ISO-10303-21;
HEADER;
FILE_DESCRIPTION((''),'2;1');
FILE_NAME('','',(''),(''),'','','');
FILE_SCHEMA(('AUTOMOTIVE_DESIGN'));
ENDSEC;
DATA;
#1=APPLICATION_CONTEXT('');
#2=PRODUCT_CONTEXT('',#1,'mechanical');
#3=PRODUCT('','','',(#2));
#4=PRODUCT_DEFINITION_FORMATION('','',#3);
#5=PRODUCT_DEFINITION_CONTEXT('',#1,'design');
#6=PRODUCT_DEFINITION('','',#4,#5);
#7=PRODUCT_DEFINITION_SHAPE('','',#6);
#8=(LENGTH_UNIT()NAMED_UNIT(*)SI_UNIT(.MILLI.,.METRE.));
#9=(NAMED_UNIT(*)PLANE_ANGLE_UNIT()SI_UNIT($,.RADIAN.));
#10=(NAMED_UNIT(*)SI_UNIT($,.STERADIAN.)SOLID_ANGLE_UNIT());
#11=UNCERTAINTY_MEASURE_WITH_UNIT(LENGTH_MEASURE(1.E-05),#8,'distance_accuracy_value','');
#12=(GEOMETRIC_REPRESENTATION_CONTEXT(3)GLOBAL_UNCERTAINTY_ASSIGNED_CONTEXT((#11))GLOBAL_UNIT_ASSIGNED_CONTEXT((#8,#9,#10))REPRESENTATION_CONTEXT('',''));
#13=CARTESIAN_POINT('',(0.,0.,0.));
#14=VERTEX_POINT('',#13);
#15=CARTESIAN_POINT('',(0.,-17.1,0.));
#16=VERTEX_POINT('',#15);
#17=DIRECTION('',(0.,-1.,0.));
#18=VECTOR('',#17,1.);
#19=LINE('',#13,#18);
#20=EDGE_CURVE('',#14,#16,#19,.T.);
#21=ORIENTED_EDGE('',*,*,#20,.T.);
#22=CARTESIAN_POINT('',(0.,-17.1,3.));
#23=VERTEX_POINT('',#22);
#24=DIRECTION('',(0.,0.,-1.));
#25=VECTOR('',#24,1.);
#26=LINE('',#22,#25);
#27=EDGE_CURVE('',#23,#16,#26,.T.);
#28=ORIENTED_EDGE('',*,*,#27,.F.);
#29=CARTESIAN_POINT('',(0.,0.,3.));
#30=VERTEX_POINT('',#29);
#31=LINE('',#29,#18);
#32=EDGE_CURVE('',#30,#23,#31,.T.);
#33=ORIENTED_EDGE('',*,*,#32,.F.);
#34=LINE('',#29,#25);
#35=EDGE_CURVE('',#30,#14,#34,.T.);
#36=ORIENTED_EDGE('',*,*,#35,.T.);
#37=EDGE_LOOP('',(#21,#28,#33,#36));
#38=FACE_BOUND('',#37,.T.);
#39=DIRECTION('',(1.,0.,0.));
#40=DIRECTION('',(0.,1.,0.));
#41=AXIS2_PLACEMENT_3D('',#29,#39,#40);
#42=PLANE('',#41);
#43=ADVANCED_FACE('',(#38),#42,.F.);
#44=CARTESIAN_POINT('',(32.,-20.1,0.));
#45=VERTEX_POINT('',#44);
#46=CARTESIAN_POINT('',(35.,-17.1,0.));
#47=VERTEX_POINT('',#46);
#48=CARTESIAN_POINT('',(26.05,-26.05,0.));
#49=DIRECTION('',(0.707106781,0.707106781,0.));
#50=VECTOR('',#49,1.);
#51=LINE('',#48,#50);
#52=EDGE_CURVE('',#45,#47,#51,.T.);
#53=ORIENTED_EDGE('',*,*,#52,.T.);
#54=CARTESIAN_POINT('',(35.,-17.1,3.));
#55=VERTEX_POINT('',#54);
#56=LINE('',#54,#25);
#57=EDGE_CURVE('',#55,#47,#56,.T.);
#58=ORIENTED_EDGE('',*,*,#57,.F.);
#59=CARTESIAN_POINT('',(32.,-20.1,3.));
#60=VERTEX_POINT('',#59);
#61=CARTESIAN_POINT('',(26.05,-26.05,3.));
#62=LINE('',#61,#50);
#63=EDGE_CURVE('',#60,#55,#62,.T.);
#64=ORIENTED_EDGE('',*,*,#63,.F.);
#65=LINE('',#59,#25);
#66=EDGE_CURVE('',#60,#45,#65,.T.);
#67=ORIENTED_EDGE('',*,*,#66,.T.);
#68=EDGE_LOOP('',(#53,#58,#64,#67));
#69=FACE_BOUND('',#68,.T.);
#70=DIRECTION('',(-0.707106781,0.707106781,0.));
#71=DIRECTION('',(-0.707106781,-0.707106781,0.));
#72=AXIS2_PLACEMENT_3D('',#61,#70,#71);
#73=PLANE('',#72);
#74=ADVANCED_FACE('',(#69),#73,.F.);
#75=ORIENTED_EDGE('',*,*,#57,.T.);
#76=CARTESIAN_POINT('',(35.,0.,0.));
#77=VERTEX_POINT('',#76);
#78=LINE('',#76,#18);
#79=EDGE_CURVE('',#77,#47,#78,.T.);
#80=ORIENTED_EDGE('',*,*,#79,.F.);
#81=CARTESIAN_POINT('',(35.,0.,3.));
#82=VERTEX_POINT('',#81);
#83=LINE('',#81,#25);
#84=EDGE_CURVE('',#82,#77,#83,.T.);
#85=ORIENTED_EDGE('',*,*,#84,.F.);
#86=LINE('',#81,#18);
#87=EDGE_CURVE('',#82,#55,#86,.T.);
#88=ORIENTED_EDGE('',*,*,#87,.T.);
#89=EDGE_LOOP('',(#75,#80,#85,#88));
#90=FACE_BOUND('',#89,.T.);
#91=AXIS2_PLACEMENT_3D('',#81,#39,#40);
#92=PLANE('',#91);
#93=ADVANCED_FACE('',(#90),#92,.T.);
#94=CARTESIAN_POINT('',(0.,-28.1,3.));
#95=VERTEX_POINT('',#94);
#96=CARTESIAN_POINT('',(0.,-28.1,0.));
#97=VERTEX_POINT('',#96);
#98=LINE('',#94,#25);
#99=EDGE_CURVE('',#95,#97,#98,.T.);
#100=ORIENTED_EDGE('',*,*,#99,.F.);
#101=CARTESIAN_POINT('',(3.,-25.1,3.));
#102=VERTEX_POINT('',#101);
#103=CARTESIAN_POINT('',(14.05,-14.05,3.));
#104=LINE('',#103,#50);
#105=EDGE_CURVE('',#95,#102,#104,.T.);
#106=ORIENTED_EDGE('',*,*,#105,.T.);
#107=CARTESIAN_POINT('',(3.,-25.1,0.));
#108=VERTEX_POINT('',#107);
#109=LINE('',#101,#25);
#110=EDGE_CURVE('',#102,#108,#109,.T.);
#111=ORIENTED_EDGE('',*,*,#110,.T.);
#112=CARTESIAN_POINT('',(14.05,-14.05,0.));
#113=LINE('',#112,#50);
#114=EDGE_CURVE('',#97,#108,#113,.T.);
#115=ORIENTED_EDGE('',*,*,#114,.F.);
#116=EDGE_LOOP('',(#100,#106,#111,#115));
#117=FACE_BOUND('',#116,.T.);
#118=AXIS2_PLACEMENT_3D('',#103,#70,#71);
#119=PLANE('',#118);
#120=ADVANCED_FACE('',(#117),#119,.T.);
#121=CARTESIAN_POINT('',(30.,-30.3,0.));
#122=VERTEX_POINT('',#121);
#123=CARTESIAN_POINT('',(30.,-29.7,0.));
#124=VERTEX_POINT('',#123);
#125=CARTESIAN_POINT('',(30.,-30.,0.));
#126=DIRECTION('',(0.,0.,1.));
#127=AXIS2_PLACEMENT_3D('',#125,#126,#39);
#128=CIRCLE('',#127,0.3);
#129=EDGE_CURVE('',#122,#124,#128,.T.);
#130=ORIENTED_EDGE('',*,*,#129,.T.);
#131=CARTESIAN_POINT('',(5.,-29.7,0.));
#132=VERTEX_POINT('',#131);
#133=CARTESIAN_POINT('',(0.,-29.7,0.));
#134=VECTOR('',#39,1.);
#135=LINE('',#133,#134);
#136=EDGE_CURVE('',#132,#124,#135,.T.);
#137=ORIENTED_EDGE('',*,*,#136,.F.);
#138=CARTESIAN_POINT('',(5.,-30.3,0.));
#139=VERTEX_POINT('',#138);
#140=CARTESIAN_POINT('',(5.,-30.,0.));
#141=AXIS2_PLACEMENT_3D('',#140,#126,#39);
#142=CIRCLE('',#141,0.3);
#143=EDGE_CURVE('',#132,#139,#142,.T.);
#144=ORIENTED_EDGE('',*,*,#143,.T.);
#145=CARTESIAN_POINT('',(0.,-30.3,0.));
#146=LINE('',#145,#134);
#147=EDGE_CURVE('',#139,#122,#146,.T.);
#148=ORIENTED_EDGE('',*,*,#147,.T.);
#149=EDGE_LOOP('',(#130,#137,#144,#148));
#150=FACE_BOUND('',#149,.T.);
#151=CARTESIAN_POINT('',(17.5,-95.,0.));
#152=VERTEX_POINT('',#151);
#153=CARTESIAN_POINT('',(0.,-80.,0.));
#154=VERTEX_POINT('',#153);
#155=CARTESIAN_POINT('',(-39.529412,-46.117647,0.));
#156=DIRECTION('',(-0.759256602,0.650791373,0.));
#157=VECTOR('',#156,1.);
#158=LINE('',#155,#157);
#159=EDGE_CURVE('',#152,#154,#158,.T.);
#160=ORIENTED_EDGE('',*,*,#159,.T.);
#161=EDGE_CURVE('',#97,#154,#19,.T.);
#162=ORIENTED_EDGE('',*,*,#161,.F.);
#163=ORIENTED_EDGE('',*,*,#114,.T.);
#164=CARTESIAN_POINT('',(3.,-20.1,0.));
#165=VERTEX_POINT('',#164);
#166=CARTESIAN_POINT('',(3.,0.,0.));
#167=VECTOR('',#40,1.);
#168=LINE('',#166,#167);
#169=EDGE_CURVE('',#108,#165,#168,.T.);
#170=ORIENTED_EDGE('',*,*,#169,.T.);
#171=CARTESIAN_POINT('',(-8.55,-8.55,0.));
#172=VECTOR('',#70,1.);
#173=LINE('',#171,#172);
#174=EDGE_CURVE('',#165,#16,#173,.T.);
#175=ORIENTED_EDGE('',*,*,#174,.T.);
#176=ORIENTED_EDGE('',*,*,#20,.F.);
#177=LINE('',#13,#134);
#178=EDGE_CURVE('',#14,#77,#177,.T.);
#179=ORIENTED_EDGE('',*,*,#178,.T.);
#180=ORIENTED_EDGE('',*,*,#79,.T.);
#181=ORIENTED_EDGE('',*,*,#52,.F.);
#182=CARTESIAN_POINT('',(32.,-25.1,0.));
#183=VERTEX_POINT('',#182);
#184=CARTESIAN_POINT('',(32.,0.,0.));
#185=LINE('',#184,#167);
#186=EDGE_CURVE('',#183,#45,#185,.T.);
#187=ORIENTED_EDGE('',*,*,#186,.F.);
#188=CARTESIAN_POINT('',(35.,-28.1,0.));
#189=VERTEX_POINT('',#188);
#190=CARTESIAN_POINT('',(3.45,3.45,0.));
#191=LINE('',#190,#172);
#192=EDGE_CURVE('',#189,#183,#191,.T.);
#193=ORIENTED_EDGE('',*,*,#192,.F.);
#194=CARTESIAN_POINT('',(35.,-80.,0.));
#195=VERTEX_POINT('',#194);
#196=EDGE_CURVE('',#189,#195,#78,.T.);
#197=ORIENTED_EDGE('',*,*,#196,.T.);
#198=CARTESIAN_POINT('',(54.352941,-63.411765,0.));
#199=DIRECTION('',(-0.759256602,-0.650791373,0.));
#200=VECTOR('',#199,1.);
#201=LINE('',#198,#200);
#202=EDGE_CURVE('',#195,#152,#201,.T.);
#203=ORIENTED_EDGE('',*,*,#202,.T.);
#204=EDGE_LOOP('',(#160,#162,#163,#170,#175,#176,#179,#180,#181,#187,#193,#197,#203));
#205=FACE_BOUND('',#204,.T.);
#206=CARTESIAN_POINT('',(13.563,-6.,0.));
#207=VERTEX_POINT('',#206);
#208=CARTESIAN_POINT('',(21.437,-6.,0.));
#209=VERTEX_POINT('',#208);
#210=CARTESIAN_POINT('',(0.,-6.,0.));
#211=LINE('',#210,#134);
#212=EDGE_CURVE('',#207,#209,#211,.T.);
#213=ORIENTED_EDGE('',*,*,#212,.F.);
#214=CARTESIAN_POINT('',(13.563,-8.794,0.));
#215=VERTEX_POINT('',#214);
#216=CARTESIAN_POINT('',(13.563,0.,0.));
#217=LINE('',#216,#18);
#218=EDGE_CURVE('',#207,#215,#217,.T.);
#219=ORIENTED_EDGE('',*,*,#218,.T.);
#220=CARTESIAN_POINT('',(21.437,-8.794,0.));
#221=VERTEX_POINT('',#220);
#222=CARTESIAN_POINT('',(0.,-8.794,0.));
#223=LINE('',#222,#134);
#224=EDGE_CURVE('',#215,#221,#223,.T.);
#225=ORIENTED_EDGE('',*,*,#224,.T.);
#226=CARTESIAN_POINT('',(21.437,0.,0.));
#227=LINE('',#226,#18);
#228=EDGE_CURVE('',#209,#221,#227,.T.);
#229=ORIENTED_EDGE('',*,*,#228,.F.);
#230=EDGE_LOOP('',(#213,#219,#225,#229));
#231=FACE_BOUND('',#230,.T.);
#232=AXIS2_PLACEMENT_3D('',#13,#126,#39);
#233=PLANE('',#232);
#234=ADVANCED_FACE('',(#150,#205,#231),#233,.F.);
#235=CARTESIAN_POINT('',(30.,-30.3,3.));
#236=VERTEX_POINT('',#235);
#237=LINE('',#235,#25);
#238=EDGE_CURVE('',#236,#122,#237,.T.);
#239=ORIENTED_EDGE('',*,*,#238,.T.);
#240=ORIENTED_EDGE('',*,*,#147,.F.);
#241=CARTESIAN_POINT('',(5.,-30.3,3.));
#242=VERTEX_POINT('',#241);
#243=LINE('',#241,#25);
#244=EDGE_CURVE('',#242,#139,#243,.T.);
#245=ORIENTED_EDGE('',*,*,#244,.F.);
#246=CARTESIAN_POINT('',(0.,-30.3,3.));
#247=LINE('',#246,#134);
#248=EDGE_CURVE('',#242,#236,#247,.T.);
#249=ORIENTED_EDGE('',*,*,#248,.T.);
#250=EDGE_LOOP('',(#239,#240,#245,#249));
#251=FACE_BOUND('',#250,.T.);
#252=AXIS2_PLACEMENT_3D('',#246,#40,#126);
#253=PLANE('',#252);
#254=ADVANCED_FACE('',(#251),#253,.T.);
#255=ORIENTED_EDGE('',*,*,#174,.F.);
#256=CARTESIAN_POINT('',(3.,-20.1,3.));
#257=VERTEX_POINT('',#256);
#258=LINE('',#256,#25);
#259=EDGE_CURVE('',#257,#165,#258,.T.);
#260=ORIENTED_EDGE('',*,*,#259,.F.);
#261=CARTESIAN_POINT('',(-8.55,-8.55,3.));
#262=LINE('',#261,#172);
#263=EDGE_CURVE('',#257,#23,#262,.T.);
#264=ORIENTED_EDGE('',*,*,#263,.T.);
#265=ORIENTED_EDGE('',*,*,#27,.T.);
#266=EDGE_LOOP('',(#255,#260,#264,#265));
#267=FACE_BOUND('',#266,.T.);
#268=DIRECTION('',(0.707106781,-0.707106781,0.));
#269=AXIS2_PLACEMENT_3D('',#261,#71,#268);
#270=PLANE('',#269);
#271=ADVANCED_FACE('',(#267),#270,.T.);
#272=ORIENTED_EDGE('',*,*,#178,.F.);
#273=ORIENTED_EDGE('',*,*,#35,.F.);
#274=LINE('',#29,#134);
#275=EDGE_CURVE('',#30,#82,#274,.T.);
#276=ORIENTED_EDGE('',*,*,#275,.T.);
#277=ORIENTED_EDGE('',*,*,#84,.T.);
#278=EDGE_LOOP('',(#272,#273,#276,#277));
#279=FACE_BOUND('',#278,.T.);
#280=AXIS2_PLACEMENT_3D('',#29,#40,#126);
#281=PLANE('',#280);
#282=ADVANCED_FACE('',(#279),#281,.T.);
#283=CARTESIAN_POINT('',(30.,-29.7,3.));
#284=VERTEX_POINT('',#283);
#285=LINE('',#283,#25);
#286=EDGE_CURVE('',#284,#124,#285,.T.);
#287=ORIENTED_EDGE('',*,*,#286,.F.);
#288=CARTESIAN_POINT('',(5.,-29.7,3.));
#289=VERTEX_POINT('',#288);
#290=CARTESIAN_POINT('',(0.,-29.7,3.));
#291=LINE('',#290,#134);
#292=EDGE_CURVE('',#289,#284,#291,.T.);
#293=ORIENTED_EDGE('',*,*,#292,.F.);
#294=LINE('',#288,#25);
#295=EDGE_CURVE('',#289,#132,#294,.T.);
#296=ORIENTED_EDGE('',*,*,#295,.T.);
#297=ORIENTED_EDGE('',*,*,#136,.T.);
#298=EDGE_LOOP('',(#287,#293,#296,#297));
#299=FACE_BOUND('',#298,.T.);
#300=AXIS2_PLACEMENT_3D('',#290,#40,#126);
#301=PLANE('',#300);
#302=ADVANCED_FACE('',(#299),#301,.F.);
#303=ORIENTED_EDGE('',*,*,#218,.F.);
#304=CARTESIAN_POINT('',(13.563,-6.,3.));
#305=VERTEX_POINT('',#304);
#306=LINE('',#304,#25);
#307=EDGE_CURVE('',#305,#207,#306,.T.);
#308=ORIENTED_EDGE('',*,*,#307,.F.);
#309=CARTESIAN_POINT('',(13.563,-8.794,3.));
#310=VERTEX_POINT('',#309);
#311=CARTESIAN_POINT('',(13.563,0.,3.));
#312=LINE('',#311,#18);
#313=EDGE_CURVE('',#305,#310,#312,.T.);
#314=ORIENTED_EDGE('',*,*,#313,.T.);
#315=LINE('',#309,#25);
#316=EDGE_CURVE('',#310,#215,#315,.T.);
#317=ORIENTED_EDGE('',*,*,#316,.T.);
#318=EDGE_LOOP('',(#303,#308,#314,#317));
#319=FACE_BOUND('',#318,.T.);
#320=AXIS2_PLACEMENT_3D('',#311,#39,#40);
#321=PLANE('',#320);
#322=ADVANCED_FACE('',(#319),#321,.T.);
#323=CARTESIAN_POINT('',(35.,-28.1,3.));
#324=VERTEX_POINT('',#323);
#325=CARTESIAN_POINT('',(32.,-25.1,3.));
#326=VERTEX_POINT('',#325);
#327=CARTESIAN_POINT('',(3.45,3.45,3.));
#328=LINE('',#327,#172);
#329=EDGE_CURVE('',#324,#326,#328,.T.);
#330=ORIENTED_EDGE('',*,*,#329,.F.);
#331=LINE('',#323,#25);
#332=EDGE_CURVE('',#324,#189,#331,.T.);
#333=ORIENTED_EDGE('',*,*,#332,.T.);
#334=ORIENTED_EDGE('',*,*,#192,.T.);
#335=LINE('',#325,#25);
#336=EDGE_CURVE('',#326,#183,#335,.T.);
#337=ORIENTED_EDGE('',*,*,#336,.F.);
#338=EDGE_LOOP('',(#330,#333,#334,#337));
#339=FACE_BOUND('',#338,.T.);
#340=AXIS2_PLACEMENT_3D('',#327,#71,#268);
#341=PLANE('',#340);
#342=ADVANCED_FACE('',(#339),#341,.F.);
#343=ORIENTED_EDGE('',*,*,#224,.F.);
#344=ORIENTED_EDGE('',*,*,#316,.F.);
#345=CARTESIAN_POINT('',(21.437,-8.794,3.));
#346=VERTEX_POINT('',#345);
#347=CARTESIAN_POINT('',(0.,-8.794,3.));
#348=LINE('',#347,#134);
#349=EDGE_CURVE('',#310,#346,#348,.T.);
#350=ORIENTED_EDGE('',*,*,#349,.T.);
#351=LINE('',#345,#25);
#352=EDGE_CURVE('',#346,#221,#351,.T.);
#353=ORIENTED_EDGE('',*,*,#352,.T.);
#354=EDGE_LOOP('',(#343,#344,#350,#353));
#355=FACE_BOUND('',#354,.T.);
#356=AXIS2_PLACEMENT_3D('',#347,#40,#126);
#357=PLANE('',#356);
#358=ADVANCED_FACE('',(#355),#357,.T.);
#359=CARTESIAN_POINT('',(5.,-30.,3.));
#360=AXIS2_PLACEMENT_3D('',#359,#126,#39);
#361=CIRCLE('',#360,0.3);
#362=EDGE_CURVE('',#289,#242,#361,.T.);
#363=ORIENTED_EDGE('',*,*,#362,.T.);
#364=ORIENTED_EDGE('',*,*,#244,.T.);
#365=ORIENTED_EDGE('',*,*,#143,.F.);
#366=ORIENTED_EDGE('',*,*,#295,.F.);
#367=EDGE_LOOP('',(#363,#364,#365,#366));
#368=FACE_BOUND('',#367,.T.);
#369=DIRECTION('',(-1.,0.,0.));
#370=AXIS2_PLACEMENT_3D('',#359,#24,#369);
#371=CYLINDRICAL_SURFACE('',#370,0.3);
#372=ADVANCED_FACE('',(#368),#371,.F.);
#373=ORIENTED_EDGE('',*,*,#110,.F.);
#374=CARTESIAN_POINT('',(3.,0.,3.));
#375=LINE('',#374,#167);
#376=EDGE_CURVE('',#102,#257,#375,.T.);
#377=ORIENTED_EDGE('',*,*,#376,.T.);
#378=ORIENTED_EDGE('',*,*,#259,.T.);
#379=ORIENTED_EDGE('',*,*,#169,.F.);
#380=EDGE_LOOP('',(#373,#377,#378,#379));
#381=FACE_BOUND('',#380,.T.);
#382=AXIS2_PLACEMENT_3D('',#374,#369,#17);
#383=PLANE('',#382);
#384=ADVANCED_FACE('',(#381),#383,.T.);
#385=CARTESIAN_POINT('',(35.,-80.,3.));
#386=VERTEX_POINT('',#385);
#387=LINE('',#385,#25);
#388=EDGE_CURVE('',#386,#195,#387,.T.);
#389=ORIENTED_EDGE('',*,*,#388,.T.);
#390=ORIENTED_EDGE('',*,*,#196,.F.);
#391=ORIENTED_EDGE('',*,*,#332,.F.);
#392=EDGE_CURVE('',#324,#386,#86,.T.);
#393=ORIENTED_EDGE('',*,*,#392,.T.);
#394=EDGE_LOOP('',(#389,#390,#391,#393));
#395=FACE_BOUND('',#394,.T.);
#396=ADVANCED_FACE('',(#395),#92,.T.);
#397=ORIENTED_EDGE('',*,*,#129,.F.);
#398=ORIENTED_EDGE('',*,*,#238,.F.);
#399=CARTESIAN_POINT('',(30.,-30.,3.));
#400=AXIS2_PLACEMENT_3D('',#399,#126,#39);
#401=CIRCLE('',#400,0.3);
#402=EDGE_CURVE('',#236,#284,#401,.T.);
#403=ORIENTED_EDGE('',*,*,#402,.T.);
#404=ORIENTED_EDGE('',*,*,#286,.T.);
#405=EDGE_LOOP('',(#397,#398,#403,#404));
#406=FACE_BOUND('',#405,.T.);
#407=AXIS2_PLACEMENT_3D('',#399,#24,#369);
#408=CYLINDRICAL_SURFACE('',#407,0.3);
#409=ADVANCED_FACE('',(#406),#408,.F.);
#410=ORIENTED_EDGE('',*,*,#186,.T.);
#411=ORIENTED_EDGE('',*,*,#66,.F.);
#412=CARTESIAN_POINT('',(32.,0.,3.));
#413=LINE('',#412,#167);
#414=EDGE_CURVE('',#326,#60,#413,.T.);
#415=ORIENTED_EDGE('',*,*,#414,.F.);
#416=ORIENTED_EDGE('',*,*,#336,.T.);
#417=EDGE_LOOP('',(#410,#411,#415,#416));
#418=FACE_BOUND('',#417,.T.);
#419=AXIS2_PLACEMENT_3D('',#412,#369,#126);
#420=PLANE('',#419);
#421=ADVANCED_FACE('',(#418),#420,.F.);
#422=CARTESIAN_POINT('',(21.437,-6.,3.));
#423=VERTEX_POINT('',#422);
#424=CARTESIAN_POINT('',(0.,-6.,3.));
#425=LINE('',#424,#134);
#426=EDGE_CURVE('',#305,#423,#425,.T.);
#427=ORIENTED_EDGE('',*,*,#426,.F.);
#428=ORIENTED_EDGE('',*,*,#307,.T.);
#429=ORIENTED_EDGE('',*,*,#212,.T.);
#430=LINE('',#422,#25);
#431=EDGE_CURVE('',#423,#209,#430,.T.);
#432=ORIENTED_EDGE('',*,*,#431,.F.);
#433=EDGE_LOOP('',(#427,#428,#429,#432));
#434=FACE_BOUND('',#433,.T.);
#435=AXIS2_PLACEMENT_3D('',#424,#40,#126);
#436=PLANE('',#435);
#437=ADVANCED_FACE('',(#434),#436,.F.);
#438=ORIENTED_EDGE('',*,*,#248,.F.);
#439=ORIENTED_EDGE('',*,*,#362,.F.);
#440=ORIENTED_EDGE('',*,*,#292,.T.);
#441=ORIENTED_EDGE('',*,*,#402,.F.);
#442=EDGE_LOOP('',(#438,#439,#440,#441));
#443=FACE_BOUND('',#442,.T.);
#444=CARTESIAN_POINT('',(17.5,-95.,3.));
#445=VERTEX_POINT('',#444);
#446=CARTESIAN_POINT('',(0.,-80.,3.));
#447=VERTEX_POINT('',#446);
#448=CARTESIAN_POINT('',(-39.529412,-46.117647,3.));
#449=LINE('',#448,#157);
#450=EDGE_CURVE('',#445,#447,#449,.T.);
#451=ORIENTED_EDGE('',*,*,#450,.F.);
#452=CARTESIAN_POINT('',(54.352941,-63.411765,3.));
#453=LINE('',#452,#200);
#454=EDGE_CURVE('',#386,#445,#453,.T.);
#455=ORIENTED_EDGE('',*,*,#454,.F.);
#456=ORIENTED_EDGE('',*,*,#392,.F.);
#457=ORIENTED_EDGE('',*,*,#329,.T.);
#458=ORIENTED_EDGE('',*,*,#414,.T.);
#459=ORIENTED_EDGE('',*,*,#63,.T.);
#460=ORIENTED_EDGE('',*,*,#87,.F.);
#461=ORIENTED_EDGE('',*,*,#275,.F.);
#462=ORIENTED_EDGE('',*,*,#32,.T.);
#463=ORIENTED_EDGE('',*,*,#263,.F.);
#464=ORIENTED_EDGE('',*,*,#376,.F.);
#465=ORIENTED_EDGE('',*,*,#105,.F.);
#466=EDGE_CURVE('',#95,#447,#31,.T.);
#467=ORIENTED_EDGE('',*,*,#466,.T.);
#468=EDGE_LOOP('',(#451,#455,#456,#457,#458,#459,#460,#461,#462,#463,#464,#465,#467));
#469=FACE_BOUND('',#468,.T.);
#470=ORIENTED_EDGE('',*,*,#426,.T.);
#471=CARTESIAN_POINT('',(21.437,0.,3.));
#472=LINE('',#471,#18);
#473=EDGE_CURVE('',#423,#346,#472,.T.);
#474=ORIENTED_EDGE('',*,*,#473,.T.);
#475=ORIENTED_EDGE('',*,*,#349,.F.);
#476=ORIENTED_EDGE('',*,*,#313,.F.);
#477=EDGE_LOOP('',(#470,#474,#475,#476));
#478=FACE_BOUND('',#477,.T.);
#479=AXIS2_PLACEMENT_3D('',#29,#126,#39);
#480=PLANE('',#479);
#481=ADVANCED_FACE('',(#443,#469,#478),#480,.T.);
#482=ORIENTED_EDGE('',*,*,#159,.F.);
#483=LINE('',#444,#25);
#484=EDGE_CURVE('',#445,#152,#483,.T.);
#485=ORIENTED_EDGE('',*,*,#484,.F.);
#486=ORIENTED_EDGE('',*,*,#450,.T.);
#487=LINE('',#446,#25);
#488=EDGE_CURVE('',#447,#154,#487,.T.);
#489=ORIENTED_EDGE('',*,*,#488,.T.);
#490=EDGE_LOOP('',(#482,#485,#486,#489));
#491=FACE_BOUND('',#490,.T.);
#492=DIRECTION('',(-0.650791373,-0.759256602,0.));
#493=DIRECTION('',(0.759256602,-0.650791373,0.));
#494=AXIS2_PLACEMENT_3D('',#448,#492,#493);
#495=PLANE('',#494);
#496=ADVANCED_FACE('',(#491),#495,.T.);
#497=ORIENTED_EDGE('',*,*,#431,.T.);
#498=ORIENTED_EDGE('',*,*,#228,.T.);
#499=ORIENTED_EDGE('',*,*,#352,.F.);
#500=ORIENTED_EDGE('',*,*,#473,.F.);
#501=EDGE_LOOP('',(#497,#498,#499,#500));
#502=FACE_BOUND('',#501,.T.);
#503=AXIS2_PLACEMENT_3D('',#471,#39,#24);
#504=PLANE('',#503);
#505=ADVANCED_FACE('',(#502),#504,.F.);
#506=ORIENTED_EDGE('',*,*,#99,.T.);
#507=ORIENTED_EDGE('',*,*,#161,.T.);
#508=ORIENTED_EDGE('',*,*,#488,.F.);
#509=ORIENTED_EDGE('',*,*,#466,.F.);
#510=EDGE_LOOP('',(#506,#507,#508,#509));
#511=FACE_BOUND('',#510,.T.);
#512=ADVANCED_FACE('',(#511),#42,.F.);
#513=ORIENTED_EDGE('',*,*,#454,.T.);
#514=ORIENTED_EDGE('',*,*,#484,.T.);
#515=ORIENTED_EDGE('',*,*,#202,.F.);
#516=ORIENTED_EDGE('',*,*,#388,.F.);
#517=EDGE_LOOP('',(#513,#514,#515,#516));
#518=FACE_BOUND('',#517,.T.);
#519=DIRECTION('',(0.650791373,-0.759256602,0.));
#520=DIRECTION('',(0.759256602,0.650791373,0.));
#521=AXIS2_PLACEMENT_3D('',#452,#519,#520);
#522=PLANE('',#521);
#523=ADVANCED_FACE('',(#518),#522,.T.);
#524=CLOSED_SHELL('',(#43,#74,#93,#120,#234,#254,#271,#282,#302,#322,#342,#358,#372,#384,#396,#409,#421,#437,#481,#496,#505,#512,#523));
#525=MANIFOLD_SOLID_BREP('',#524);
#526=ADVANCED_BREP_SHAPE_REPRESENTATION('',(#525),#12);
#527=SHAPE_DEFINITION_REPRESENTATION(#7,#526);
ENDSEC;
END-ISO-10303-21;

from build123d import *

# Parameters (mm, degrees)
ESBO_O1_W                = 7.874
ESBO_O1_H                = 2.794
RESSALTO_EXTRUS_O1_DEPTH = 3


with BuildPart() as part:
    # Esboço1 → Ressalto-extrusão1 (new body)
    with BuildSketch(Plane.XY):
        Polygon((17.5, -95), (35, -80), (35, -28.1), (32, -25.1), (32, -20.1), (35, -17.1), (35, 0), (0, 0), (0, -17.1), (3, -20.1), (3, -25.1), (0, -28.1), (0, -80), align=None)
        with BuildLine():
            ThreePointArc((5, -30.3), (4.7, -30), (5, -29.7))
            Line((5, -29.7), (30, -29.7))
            ThreePointArc((30, -29.7), (30.3, -30), (30, -30.3))
            Line((30, -30.3), (5, -30.3))
        make_face(mode=Mode.SUBTRACT)
        with Locations((17.5, -7.397)):
            Rectangle(ESBO_O1_W, ESBO_O1_H, mode=Mode.SUBTRACT)
    extrude(amount=RESSALTO_EXTRUS_O1_DEPTH)


solid = part.part
